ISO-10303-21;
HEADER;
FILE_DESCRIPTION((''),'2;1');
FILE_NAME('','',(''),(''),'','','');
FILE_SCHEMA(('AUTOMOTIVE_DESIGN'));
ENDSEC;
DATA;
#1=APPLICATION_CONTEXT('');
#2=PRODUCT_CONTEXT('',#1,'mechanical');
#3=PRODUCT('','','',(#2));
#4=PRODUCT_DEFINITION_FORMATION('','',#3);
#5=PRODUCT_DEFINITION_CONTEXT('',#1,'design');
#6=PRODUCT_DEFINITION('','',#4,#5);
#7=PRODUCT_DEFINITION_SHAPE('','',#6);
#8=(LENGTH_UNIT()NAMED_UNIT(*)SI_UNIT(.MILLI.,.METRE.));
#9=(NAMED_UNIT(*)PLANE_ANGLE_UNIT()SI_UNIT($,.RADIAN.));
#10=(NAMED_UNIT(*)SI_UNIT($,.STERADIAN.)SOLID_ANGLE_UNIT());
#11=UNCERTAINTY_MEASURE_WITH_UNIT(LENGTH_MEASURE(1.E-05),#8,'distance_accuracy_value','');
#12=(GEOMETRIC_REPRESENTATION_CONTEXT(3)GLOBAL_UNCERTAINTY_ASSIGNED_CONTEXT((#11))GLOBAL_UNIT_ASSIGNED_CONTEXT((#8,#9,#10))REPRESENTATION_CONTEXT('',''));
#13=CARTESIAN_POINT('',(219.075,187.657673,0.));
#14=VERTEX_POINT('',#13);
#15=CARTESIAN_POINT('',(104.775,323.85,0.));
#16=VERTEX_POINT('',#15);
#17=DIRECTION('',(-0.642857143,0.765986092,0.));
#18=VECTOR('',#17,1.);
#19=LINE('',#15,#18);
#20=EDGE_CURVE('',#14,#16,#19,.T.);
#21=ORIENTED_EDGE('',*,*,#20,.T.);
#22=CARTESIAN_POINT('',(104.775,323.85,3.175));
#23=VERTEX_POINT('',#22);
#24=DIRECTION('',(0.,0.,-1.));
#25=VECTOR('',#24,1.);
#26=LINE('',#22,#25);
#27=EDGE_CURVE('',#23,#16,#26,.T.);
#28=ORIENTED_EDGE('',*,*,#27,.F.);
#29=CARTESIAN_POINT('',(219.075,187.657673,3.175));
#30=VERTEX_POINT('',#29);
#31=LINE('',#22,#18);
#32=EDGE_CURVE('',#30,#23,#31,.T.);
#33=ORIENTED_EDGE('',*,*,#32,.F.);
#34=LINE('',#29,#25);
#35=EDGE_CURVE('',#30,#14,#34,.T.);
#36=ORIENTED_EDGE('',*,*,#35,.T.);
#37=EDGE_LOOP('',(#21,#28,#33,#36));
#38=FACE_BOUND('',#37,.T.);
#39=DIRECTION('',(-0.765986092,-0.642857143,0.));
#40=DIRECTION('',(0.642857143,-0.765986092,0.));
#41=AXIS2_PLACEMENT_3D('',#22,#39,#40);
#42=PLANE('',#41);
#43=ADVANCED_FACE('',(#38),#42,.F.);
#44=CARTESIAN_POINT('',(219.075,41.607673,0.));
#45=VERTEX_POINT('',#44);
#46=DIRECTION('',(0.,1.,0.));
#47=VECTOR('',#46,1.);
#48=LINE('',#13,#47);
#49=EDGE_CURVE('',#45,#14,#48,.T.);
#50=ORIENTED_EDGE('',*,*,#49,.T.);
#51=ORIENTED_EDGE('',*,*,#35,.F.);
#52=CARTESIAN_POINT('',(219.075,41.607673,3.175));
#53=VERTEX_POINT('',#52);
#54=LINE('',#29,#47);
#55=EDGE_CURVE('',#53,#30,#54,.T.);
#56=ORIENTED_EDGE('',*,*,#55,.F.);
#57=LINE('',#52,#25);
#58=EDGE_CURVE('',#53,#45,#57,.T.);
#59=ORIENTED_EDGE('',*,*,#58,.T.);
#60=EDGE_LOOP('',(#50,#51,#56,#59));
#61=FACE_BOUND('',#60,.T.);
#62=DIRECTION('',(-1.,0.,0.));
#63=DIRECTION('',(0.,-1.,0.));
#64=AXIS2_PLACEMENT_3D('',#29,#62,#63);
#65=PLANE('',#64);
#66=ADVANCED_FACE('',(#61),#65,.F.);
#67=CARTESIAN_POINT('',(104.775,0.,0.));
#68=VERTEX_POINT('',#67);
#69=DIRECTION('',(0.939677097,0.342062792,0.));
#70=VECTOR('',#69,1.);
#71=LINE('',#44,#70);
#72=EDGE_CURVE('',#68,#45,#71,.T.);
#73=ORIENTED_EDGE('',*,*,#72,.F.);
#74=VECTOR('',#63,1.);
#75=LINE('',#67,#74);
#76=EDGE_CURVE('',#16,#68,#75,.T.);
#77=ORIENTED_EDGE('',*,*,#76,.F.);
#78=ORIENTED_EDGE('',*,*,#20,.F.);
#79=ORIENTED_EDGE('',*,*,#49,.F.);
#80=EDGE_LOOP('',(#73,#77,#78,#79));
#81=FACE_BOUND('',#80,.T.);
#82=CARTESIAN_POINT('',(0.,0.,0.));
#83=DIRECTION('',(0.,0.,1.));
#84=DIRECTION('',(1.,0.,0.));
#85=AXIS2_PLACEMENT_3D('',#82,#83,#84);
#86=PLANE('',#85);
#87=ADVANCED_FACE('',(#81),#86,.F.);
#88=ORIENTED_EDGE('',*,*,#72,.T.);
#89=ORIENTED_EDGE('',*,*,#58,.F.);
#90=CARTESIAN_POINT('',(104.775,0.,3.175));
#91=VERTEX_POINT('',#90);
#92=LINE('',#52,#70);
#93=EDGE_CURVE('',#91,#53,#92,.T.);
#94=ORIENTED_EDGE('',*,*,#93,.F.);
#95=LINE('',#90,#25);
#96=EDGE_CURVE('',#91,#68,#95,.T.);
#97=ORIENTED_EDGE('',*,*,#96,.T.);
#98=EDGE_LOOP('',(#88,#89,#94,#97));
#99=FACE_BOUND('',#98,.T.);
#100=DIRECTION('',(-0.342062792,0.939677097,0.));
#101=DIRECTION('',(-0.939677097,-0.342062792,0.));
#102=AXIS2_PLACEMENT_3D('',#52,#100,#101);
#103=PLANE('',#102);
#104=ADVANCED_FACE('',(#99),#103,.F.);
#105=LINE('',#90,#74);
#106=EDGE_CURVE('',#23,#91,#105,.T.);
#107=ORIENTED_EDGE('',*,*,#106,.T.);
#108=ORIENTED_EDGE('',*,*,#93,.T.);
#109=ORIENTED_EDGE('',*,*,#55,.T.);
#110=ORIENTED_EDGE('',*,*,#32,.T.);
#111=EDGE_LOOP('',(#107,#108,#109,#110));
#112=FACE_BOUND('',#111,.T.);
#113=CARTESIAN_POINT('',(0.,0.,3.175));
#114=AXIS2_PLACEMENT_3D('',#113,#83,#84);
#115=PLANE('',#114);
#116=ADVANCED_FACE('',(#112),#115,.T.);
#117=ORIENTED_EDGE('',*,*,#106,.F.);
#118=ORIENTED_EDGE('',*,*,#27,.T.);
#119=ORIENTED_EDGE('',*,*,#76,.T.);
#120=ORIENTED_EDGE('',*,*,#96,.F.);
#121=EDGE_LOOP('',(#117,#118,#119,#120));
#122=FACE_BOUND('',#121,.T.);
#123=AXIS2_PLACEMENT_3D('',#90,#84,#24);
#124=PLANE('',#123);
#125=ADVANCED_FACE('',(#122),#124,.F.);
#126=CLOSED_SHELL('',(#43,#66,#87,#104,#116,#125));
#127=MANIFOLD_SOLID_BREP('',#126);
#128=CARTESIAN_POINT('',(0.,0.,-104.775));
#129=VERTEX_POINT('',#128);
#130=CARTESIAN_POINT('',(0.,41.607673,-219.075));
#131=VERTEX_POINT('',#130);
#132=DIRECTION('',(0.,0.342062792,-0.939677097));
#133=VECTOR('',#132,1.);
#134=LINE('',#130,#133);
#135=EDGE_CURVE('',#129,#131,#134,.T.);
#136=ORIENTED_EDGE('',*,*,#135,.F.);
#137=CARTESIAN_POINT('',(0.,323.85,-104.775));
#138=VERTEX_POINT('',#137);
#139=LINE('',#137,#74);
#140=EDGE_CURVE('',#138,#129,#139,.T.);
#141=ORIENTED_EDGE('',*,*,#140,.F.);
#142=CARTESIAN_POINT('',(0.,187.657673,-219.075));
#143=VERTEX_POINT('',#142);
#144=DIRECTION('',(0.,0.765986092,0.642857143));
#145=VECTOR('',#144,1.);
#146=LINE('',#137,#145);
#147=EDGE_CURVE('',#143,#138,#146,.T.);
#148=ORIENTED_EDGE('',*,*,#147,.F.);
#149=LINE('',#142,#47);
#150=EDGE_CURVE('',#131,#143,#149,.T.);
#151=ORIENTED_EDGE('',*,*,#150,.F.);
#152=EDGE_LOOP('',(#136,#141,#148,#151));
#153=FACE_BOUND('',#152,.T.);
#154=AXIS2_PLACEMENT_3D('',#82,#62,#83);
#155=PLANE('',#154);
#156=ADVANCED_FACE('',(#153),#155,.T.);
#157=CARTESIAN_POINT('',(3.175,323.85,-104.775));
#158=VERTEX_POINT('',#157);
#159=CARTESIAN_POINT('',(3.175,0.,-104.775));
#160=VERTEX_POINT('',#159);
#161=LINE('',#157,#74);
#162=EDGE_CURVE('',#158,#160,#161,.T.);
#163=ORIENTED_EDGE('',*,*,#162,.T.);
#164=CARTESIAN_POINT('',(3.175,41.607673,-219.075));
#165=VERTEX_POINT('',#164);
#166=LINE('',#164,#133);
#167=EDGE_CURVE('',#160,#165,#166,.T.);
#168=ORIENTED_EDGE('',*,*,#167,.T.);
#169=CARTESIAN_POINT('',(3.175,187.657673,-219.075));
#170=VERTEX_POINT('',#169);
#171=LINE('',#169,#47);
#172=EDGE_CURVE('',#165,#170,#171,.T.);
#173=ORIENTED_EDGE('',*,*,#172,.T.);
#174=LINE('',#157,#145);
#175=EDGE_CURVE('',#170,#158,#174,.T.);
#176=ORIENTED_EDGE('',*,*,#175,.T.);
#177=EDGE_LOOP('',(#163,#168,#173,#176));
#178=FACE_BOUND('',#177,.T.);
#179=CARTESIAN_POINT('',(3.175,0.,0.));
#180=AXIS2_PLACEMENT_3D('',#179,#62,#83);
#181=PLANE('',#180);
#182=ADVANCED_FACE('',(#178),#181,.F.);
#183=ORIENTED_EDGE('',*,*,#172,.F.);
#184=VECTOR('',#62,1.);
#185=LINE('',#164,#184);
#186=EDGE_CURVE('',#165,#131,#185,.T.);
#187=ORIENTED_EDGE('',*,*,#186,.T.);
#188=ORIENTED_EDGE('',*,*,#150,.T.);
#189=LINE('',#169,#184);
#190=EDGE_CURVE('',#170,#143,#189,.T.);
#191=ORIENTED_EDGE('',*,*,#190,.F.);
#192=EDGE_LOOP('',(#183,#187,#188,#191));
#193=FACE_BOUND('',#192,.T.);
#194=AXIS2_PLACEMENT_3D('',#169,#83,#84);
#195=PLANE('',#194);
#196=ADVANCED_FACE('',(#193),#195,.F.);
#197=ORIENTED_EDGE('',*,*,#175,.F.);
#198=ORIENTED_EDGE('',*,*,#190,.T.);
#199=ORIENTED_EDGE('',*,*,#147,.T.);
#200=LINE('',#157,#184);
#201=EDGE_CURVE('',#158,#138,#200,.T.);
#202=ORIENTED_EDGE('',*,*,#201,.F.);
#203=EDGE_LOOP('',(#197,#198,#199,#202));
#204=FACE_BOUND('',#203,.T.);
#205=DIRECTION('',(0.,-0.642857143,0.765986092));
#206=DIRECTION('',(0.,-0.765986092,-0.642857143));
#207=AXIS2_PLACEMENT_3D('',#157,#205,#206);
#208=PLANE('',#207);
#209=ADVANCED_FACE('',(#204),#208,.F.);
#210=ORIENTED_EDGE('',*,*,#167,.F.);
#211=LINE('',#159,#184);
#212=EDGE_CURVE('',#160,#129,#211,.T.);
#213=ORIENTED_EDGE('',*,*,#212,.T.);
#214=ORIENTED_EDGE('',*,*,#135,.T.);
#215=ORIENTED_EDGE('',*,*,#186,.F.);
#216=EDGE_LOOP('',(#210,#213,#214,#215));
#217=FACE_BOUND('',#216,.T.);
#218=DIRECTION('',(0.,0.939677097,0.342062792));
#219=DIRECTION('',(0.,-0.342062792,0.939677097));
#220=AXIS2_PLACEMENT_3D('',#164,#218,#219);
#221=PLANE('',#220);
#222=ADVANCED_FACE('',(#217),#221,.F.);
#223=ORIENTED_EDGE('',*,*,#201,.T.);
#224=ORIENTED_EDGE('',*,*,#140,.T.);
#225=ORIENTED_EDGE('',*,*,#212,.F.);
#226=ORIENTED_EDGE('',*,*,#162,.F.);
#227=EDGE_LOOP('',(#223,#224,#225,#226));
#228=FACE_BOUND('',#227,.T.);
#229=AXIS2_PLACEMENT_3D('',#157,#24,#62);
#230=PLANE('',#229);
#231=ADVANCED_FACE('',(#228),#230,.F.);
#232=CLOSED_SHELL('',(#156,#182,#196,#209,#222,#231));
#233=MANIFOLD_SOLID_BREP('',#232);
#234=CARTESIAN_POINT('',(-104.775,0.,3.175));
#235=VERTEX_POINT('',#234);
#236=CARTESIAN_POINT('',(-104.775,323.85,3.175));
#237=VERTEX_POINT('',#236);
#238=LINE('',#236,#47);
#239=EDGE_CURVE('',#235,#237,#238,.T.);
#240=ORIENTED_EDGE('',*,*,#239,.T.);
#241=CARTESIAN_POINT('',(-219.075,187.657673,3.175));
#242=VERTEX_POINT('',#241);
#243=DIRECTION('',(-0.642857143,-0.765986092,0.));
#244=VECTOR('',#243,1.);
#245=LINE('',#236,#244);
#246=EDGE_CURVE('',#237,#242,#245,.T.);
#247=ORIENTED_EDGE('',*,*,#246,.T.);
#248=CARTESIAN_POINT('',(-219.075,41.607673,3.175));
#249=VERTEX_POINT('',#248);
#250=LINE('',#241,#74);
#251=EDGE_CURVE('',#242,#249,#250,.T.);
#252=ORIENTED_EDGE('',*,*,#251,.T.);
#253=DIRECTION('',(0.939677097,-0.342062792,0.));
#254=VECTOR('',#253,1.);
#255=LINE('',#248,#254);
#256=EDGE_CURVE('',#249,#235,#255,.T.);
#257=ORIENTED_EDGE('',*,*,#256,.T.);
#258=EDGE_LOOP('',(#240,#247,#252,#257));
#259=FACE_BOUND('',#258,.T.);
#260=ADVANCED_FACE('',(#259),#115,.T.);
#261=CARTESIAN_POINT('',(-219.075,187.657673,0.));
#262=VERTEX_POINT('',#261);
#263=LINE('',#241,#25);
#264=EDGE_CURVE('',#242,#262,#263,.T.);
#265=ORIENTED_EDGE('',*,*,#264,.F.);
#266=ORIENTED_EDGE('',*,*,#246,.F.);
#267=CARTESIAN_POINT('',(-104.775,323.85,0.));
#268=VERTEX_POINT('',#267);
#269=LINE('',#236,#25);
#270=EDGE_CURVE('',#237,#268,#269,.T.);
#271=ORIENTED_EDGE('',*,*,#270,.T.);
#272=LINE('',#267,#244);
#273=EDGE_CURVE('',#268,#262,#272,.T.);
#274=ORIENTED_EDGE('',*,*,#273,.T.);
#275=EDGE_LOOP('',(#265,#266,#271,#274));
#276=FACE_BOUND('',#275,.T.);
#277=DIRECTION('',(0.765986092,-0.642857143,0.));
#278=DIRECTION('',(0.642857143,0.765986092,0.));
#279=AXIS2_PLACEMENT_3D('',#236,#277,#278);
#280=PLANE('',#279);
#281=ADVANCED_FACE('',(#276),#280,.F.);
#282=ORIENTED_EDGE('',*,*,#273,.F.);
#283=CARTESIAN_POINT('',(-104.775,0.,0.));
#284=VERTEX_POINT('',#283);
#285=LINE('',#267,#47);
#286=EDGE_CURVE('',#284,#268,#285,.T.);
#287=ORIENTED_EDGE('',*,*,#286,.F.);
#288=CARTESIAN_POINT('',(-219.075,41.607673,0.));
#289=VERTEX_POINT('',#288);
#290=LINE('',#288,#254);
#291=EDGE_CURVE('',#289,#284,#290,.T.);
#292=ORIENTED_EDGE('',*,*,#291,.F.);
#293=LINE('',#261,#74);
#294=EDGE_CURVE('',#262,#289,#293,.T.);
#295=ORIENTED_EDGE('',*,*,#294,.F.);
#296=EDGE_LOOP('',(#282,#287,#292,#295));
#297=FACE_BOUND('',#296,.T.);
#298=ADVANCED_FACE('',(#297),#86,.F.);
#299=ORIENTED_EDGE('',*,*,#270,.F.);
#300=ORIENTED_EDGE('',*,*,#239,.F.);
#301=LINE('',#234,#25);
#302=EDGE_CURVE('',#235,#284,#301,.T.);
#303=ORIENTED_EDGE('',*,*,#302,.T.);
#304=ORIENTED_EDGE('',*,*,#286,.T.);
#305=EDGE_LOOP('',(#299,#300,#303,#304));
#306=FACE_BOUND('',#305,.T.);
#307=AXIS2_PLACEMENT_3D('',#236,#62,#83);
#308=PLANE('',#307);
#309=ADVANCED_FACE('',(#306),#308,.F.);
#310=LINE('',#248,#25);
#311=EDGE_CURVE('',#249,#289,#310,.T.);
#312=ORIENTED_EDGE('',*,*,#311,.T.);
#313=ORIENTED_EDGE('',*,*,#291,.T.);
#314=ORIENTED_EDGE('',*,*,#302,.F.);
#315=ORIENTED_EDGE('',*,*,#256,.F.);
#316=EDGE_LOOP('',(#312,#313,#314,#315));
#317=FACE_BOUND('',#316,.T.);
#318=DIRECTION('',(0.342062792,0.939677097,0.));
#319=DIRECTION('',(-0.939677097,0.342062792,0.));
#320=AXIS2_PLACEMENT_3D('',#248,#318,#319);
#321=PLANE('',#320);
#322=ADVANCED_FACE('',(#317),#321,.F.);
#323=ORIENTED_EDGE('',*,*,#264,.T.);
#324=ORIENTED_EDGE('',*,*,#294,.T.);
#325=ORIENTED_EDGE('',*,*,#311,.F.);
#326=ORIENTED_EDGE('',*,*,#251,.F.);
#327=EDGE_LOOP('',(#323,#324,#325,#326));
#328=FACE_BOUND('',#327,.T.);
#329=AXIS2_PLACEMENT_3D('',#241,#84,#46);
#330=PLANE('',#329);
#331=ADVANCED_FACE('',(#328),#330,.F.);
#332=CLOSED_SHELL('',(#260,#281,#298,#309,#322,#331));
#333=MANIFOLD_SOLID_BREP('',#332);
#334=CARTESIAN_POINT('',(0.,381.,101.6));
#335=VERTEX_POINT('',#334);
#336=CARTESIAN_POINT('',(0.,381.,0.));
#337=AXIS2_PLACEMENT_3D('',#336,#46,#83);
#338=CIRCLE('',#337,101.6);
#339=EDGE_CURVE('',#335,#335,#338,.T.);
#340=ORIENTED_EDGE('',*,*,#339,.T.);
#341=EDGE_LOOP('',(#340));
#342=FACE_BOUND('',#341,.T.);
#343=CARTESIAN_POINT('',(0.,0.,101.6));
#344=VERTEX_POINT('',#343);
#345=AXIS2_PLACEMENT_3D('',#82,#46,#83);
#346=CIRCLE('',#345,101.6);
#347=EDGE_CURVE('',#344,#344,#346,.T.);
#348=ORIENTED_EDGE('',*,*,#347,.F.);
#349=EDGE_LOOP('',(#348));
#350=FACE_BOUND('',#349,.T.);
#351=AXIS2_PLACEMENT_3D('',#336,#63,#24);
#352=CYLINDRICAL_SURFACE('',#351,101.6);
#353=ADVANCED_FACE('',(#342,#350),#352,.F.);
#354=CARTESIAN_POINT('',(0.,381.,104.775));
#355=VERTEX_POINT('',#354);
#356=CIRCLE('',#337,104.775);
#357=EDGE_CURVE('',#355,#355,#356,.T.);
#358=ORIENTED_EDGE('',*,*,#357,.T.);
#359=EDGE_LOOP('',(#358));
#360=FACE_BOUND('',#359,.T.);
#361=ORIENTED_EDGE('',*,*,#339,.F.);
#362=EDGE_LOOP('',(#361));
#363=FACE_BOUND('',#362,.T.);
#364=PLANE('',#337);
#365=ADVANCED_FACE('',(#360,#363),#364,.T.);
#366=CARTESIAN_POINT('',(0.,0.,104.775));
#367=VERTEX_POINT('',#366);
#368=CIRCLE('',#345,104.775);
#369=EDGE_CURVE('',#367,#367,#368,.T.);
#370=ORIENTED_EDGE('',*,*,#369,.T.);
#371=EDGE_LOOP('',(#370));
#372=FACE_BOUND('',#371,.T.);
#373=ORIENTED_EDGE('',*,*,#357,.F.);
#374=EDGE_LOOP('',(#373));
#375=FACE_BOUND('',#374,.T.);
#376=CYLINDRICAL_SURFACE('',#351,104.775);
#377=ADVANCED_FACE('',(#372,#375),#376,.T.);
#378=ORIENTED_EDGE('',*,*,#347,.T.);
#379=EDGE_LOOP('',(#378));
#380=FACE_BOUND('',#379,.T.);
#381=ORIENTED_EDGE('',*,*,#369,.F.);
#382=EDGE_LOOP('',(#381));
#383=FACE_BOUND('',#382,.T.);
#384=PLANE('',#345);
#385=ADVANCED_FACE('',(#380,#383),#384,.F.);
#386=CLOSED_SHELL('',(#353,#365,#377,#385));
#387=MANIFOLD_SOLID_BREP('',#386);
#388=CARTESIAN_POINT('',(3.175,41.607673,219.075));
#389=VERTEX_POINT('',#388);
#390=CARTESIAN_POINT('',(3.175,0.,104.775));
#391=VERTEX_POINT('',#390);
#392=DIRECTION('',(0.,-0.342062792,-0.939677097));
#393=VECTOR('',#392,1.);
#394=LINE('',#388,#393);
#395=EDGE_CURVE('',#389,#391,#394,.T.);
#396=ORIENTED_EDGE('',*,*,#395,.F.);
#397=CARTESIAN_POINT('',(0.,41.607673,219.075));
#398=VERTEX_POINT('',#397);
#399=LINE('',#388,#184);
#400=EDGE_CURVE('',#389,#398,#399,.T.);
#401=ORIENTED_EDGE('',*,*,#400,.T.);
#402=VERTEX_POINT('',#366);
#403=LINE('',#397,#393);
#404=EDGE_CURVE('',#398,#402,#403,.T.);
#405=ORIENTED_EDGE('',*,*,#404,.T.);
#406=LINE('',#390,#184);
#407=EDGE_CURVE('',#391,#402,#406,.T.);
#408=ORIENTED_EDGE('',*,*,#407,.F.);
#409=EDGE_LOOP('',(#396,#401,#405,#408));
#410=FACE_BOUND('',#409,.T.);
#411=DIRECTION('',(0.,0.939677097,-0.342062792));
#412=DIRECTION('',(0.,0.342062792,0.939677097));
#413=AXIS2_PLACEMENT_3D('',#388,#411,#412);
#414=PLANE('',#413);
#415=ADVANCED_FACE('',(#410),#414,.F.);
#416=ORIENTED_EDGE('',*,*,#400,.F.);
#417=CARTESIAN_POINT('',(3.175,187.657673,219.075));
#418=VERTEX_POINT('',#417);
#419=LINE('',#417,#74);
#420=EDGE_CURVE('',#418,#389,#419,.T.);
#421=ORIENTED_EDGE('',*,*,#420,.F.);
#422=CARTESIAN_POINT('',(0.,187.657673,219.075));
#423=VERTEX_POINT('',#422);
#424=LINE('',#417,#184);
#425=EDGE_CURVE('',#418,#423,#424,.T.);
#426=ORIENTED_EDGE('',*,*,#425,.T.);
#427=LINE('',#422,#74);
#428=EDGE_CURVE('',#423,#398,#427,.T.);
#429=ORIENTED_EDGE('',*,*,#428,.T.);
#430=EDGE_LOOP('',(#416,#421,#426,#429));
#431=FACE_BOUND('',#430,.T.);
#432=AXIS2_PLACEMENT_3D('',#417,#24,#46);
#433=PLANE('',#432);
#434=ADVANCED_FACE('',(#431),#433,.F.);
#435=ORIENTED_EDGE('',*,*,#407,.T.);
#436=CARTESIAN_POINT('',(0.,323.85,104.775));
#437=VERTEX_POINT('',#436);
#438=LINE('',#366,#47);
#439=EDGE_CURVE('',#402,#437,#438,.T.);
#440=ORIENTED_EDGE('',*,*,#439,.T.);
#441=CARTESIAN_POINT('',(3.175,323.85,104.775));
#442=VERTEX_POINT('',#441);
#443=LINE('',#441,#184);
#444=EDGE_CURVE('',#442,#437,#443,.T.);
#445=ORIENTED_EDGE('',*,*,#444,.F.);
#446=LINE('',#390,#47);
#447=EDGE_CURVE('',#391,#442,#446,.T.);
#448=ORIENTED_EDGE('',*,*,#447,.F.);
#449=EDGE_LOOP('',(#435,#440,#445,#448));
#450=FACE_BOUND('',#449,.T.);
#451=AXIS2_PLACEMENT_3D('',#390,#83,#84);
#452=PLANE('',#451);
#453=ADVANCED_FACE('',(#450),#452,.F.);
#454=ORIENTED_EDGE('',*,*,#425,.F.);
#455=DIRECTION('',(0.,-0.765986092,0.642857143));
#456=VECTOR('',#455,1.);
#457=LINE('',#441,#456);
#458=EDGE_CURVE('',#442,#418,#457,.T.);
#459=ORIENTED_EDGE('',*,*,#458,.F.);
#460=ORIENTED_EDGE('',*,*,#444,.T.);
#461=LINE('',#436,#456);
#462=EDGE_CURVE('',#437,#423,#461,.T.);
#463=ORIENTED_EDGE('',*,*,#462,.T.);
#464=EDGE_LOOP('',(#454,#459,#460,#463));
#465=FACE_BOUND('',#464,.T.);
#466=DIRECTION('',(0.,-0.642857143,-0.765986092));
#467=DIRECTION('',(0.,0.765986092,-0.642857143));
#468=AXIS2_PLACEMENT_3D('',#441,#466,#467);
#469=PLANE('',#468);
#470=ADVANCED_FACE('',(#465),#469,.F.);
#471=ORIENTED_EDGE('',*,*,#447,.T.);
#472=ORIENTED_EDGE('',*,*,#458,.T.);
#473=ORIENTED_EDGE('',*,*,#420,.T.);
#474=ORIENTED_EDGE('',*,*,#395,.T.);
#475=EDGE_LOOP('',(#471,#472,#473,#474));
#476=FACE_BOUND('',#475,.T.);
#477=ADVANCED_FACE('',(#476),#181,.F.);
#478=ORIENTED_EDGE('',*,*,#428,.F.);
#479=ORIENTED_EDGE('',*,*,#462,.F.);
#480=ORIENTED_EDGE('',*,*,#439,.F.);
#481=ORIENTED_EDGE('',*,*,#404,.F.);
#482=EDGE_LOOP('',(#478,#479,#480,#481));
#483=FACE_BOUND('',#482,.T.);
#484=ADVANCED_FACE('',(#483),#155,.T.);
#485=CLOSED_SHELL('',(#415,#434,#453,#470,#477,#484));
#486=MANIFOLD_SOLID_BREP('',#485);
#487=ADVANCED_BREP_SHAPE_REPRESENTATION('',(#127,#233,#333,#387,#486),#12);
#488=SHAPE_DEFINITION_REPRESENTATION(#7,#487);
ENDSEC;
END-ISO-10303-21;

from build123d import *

# Parameters (mm, degrees)
SKETCH1_R           = 104.775
SKETCH1_R_2         = 101.6
BOSS_EXTRUDE1_DEPTH = 381
BOSS_EXTRUDE2_DEPTH = 3.175
BOSS_EXTRUDE3_DEPTH = 3.175
BOSS_EXTRUDE4_DEPTH = 3.175
BOSS_EXTRUDE5_DEPTH = 3.175


with BuildPart() as part:
    # Sketch1 → Boss-Extrude1 (new body)
    with BuildSketch(Plane(origin=(0, 0, 0), x_dir=(1, 0, 0), z_dir=(0, 1, 0))):
        Circle(SKETCH1_R)
        Circle(SKETCH1_R_2, mode=Mode.SUBTRACT)
    extrude(amount=BOSS_EXTRUDE1_DEPTH)


with BuildPart() as body_2:
    # Sketch2 → Boss-Extrude2 (new body)
    with BuildSketch(Plane(origin=(0, 0, 0), x_dir=(0, 0, -1), z_dir=(1, 0, 0))):
        Polygon((-104.775, 323.85), (-219.075, 187.657672757), (-219.075, 41.607672757), (-104.775, 0), align=None)
    extrude(amount=BOSS_EXTRUDE2_DEPTH)


with BuildPart() as body_3:
    # Sketch5 → Boss-Extrude3 (new body)
    with BuildSketch(Plane(origin=(0, 0, 0), x_dir=(0, 0, -1), z_dir=(1, 0, 0))):
        Polygon((104.775, 323.85), (219.075, 187.657672757), (219.075, 41.607672757), (104.775, 0), align=None)
    extrude(amount=BOSS_EXTRUDE3_DEPTH)


with BuildPart() as body_4:
    # Sketch6 → Boss-Extrude4 (new body)
    with BuildSketch(Plane.XY):
        Polygon((-104.775, 323.85), (-219.075, 187.657672757), (-219.075, 41.607672757), (-104.775, 0), align=None)
    extrude(amount=BOSS_EXTRUDE4_DEPTH)


with BuildPart() as body_5:
    # Sketch7 → Boss-Extrude5 (new body)
    with BuildSketch(Plane.XY):
        Polygon((104.775, 323.85), (219.075, 187.657672757), (219.075, 41.607672757), (104.775, 0), align=None)
    extrude(amount=BOSS_EXTRUDE5_DEPTH)


solid = Compound([part.part, body_2.part, body_3.part, body_4.part, body_5.part])
